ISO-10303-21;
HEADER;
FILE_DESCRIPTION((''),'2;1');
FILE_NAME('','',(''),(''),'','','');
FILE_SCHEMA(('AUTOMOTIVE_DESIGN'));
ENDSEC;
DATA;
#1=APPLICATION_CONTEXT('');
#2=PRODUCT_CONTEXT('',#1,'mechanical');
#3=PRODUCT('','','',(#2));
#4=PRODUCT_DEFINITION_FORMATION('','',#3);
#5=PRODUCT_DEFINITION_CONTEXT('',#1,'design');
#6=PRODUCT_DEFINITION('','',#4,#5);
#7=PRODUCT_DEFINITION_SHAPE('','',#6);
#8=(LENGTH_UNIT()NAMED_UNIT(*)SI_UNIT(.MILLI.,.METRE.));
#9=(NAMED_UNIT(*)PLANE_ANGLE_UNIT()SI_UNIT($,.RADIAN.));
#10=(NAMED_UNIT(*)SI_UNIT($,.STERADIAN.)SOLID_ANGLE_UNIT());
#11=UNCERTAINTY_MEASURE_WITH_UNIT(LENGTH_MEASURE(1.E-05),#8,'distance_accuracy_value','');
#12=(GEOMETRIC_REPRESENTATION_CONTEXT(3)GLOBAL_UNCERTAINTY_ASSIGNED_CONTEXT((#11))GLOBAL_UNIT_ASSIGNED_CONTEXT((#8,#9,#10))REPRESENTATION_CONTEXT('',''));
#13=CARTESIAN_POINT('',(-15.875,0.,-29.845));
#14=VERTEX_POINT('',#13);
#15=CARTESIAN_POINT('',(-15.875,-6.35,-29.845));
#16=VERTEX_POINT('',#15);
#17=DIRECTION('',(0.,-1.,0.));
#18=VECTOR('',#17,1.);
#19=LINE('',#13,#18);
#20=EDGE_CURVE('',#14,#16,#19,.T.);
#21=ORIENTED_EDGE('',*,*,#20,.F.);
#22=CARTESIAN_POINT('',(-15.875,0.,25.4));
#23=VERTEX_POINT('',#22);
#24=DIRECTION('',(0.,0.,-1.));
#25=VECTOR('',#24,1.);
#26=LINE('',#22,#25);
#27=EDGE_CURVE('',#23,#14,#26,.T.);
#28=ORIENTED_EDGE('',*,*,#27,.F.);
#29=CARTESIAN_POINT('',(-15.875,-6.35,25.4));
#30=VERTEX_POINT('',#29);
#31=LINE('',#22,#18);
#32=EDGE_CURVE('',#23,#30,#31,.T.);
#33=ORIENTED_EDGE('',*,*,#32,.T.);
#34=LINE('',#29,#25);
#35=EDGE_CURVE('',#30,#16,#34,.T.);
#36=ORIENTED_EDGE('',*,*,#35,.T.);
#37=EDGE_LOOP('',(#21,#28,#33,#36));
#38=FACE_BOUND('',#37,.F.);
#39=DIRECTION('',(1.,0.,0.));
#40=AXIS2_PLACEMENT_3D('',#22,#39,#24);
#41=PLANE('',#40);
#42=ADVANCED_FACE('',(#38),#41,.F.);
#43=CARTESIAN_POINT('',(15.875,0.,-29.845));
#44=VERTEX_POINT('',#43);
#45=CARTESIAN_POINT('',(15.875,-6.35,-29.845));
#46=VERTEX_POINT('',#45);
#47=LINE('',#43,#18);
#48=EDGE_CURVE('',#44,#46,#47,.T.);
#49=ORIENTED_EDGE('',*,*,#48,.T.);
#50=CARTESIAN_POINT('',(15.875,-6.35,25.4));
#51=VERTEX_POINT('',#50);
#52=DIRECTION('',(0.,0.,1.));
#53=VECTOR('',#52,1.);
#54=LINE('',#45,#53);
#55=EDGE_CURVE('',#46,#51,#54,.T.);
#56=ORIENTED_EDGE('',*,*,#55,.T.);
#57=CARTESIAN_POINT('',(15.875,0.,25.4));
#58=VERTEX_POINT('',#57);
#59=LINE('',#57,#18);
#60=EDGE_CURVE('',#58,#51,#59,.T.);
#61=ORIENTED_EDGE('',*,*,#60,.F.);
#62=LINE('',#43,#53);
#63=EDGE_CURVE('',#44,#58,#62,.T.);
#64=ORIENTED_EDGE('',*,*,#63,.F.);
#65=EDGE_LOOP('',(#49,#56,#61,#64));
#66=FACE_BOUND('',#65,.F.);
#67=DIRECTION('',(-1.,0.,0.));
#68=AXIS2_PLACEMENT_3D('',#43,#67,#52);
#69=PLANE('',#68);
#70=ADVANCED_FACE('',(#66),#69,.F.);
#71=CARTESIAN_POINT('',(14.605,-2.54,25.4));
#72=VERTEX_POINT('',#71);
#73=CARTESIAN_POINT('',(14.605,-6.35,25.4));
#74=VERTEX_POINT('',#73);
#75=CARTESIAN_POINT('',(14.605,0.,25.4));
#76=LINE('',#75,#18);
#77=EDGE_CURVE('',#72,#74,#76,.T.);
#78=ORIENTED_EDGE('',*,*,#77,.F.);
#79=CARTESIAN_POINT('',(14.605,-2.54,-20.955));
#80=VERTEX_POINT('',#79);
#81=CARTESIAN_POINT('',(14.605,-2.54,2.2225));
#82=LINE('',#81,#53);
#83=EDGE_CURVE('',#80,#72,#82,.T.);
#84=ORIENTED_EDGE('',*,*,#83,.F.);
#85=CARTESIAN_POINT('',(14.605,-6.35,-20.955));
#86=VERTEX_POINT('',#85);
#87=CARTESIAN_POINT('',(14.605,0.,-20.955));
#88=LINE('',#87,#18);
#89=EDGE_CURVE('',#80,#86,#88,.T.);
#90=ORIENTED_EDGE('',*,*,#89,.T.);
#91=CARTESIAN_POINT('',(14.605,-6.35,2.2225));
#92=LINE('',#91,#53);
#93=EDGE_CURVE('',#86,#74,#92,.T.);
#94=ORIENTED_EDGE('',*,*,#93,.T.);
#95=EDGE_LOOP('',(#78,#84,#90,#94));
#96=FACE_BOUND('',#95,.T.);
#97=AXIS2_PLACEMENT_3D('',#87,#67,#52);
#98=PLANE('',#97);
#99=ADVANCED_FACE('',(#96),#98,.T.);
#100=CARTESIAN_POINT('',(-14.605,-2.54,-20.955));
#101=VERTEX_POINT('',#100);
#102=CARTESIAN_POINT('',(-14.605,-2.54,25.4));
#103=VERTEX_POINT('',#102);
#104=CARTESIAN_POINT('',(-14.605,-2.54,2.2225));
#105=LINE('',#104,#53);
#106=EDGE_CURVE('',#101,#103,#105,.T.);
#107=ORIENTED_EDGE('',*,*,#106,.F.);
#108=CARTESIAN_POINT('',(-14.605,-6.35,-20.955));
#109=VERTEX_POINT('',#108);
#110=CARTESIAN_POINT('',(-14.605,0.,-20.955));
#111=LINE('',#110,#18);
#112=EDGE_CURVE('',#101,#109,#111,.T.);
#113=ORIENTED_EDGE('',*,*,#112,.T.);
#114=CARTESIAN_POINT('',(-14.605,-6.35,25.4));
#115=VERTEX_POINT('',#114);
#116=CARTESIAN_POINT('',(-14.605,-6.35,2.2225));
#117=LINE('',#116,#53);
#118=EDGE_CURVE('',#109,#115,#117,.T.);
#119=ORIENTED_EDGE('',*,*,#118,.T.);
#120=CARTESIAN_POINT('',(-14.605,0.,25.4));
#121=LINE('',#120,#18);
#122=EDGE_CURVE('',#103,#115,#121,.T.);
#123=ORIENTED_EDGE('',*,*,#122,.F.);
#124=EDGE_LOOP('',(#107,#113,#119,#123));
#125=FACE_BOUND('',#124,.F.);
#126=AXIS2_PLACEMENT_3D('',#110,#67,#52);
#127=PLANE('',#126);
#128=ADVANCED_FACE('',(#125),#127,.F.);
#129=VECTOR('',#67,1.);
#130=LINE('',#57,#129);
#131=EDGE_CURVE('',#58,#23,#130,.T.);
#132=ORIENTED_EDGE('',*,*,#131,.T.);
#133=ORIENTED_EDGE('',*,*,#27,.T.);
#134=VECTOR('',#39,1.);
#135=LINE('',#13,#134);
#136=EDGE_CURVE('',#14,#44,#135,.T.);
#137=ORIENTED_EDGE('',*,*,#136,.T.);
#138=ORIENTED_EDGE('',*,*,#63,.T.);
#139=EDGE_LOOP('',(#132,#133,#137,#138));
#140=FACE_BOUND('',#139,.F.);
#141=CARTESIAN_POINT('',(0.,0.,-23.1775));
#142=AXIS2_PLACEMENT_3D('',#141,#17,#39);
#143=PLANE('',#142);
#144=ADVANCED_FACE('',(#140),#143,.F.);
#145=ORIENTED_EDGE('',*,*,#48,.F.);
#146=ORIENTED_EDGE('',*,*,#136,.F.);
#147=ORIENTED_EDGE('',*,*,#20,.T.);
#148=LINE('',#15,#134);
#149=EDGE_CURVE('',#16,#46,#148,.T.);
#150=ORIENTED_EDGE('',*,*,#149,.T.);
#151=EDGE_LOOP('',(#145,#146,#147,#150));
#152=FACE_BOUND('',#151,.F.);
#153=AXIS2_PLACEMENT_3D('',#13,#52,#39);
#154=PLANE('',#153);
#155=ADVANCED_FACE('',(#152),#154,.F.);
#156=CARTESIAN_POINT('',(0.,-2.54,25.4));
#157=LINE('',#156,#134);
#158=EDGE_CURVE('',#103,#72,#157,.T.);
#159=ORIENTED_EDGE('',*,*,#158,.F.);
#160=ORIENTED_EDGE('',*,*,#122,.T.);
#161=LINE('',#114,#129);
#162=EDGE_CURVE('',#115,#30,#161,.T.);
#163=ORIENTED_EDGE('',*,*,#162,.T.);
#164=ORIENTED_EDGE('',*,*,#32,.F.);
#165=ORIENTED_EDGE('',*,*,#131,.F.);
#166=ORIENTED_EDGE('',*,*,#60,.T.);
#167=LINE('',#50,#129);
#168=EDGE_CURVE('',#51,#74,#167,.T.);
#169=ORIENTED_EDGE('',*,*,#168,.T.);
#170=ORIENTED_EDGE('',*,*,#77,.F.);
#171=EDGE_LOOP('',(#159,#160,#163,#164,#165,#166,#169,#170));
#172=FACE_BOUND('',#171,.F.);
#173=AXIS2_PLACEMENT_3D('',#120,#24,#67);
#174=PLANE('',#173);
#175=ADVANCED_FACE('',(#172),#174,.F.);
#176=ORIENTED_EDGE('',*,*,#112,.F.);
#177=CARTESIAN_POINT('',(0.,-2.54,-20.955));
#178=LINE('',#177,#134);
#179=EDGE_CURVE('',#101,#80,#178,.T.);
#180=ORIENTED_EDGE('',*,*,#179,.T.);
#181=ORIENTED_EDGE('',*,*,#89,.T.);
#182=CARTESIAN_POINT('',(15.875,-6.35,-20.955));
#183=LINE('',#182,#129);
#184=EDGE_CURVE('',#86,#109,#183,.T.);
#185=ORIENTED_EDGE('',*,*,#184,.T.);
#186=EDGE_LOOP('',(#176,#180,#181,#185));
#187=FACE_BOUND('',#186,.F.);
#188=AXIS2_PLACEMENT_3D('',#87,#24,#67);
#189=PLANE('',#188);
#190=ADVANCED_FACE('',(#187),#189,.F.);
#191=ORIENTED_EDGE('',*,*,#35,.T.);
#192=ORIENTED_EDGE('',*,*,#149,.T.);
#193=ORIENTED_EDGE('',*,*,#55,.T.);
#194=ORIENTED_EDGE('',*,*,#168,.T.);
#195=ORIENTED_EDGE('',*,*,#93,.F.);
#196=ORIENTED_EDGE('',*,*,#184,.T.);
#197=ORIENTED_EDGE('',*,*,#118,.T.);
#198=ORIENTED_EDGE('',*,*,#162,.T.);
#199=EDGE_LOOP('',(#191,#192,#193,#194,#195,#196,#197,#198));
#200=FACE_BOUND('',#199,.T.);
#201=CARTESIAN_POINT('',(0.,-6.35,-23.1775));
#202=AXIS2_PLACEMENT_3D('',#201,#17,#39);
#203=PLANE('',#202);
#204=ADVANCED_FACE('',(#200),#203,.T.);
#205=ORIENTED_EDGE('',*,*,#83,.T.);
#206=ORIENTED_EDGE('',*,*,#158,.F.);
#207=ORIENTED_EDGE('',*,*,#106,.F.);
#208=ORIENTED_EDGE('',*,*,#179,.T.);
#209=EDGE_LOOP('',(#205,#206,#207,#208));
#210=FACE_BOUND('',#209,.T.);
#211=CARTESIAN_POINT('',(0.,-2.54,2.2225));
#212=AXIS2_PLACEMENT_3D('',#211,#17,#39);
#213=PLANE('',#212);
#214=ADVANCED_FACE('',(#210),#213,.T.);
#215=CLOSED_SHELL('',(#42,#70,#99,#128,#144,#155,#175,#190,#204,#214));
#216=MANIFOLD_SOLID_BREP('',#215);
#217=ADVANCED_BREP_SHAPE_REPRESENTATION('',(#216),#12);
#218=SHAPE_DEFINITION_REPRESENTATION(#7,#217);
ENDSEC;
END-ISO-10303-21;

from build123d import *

# Parameters (mm, degrees)
F0_W     = 29.21
F0_H     = 46.355
F1_DEPTH = 2.54
F0_H_2   = 4.445
F0_W_2   = 0.635
F2_DEPTH = 6.35


with BuildPart() as f1:
    # F0 (on Front) → F1 (new body)
    with BuildSketch(Plane.XZ):
        with Locations((0, 2.2225)):
            Rectangle(F0_W, F0_H)
    extrude(amount=F1_DEPTH)

    # F0 (on Front) → F2 (join)
    with BuildSketch(Plane.XZ):
        with Locations((0, -23.1775)):
            Rectangle(F0_W, F0_H_2)
        with Locations((14.9225, -23.1775)):
            Rectangle(F0_W_2, F0_H_2)
        with Locations((-14.9225, 2.2225)):
            Rectangle(F0_W_2, F0_H)
        with Locations((-15.5575, 2.2225)):
            Rectangle(F0_W_2, F0_H)
        with Locations((-15.5575, -23.1775)):
            Rectangle(F0_W_2, F0_H_2)
        with Locations((-14.9225, -23.1775)):
            Rectangle(F0_W_2, F0_H_2)
        Polygon((15.875, -25.4), (15.24, -25.4), (14.605, -25.4), (-14.605, -25.4), (-15.24, -25.4), (-15.875, -25.4), (-15.875, -29.845), (15.875, -29.845), align=None)
        with Locations((15.5575, -23.1775)):
            Rectangle(F0_W_2, F0_H_2)
        with Locations((15.5575, 2.2225)):
            Rectangle(F0_W_2, F0_H)
        with Locations((14.9225, 2.2225)):
            Rectangle(F0_W_2, F0_H)
    extrude(amount=F2_DEPTH)


solid = f1.part
